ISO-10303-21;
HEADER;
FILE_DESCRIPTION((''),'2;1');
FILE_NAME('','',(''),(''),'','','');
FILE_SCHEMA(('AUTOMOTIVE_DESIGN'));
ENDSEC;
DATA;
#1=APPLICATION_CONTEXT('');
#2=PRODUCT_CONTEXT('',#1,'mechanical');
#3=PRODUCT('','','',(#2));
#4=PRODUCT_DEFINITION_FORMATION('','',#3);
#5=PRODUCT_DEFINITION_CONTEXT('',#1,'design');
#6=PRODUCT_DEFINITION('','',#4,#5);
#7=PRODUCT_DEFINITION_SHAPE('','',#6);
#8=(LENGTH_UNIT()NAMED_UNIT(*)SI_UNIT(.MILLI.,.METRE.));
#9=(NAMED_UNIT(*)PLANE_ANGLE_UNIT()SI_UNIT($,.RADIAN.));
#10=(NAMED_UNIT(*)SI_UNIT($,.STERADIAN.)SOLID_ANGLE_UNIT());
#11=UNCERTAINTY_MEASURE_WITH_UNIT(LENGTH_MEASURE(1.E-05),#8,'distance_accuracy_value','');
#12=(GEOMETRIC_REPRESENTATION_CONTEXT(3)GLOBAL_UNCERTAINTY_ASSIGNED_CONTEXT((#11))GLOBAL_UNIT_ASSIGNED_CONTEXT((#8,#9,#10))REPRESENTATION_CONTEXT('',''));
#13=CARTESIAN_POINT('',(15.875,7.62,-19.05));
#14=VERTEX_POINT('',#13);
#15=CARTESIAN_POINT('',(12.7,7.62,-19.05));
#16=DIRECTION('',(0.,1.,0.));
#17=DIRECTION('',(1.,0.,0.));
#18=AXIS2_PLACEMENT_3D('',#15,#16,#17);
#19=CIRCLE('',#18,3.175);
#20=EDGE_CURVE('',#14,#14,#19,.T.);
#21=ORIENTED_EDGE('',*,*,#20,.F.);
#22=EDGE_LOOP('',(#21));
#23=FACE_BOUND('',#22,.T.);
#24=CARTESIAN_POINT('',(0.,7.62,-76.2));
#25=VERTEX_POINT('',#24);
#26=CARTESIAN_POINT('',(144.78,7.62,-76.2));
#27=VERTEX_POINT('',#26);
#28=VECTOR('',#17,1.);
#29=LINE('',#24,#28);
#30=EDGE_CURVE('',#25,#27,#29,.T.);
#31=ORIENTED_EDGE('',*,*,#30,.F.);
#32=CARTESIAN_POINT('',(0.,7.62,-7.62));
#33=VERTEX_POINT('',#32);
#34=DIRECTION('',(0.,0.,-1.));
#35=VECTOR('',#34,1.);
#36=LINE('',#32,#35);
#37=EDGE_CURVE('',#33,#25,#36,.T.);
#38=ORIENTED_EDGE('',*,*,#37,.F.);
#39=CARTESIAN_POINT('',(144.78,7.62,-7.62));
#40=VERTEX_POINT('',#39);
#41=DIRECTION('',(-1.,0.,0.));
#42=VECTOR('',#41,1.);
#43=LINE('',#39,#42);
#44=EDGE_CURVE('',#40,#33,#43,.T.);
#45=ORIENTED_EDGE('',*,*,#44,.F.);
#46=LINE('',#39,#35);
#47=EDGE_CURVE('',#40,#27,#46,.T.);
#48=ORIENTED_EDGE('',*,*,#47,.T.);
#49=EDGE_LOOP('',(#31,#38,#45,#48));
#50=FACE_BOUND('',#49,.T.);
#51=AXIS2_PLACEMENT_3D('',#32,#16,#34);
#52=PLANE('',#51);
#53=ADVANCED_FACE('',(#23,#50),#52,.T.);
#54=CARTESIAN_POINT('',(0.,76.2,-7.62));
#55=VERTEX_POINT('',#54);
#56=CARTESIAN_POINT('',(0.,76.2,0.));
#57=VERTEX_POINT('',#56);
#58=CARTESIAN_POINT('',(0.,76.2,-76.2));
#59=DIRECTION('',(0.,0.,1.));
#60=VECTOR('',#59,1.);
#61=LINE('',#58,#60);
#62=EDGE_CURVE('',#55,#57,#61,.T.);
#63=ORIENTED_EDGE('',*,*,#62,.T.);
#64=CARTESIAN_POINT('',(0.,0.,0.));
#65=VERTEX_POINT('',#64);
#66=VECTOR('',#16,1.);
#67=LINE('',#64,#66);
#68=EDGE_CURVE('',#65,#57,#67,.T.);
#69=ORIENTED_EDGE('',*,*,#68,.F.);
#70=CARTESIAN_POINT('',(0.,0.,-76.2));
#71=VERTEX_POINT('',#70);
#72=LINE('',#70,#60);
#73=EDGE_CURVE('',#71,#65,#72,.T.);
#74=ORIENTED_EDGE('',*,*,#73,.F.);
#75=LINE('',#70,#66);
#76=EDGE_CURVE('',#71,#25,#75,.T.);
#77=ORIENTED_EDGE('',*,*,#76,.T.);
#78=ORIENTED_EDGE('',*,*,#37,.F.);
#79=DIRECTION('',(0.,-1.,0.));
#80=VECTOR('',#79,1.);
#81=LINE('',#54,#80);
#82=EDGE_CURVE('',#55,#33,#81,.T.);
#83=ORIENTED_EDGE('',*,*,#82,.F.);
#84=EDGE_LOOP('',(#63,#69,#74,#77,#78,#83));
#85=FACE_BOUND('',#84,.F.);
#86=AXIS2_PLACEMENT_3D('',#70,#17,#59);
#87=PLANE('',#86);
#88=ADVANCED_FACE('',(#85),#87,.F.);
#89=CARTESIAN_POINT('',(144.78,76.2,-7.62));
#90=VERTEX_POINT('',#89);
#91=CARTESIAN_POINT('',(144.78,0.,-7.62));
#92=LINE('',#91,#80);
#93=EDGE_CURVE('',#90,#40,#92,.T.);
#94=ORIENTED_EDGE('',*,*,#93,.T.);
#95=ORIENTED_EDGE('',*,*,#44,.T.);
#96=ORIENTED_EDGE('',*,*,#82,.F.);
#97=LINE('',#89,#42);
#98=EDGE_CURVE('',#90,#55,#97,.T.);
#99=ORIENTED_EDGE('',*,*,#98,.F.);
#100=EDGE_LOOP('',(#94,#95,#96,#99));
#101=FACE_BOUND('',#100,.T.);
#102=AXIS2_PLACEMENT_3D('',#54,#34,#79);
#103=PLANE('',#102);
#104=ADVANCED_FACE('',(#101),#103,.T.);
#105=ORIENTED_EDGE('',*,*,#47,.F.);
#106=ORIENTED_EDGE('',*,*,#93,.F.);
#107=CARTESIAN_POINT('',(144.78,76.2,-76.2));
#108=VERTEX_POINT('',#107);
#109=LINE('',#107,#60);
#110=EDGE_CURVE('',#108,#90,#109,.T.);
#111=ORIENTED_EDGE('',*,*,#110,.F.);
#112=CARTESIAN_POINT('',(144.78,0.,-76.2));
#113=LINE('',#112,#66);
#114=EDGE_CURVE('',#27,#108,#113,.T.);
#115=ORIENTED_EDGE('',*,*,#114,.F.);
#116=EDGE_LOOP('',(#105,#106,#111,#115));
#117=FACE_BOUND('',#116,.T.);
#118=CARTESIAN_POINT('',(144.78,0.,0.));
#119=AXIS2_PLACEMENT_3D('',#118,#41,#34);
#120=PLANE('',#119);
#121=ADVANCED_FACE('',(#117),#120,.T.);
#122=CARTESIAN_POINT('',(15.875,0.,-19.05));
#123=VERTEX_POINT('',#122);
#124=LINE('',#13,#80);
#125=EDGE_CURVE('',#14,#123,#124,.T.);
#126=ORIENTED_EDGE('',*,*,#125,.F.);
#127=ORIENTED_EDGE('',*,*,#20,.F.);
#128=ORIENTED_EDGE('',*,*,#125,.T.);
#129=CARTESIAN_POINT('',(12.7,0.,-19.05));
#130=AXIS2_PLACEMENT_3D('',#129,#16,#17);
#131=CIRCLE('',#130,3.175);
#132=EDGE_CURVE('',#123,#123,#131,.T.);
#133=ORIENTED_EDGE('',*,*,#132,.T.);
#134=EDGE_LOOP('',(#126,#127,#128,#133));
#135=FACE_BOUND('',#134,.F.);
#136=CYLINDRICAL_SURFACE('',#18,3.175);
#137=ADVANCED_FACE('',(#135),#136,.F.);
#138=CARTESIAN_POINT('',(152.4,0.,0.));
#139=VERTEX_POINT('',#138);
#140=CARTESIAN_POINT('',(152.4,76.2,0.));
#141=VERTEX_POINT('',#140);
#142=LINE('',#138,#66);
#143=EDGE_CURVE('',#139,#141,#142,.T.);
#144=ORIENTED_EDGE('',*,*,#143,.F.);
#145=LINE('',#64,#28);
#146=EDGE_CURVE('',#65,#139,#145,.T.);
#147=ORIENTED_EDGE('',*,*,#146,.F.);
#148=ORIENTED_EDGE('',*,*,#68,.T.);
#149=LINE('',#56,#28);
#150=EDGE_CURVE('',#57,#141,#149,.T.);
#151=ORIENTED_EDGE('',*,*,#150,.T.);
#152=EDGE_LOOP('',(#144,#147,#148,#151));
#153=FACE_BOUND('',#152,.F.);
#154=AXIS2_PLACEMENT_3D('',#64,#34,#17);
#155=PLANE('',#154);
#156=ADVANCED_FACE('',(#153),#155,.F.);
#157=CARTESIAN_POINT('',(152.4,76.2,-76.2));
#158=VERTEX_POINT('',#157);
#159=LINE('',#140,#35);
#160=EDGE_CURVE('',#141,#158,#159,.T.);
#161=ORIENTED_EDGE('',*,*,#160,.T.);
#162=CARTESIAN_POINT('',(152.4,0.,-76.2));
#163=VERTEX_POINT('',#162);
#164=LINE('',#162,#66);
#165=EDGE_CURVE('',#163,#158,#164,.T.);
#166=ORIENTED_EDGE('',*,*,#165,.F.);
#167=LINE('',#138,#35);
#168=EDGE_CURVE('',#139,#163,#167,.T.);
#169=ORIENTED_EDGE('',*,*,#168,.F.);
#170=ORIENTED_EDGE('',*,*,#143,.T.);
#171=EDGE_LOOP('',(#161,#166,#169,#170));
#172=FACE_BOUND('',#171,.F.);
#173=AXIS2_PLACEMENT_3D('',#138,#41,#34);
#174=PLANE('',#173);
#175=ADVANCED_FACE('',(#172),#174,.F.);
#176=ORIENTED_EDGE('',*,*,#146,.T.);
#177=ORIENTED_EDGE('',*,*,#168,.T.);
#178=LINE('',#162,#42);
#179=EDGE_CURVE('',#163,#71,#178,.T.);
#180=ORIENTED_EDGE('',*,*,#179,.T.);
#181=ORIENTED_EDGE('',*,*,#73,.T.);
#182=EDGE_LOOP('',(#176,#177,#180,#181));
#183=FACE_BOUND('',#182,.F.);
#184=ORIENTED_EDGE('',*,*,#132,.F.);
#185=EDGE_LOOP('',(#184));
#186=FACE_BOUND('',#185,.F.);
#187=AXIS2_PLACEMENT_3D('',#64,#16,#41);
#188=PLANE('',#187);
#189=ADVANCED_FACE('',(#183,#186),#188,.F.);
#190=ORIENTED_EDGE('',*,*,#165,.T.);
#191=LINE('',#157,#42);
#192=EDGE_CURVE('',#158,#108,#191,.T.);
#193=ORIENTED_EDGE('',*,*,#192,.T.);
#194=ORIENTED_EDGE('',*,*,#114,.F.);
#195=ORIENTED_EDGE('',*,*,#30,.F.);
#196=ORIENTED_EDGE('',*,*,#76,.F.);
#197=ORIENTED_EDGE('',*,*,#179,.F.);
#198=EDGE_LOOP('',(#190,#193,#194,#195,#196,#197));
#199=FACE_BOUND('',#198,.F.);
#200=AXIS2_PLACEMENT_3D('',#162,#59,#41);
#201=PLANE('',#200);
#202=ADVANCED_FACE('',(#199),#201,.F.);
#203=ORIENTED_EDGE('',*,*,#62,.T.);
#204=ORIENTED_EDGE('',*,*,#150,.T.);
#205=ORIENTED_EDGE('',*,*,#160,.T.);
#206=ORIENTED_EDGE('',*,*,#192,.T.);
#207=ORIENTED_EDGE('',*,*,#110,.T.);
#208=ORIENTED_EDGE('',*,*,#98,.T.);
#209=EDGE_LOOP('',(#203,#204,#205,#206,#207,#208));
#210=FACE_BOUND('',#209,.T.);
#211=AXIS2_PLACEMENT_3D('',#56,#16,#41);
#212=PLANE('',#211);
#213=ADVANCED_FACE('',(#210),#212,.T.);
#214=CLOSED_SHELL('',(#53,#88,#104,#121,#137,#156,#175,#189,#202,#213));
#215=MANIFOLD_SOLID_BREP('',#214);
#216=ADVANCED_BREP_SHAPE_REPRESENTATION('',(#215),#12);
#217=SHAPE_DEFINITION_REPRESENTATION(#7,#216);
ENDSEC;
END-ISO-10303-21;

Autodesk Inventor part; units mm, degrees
ref_plane "YZ Plane" through (0, 0, 0) normal (1, 0, 0) x (0, 1, 0)
ref_plane "XZ Plane" through (0, 0, 0) normal (0, 1, 0) x (-1, 0, 0)
ref_plane "XY Plane" through (0, 0, 0) normal (0, 0, 1) x (1, 0, 0)
sketch "Sketch1" plane through (0, 0, 0) normal (0, 1, 0) x (-1, 0, 0)
  line L0 (0, 0) -> (-152.4, 0)
  line L1 (-152.4, 0) -> (-152.4, -76.2)
  line L2 (-152.4, -76.2) -> (0, -76.2)
  line L3 (0, -76.2) -> (0, 0)
  dimension "d0" = 152.4
  dimension "d1" = 76.2
extrude "Extrusion1" add sketch "Sketch1" along normal blind 76.2
shell "Shell1" thickness 7.62 removed faces 1 at (101.6, 76.2, -25.4)
sketch "Sketch2" plane through (0, 0, -76.2) normal (-1, 0, 0) x (0, 0, 1)
  line L0 (0, 0) -> (0, 76.2) projected
  line L1 (0, 76.2) -> (68.58, 76.2)
  line L2 (68.58, 76.2) -> (68.58, 7.62)
  line L3 (68.58, 7.62) -> (0, 7.62)
  line L4 (0, 7.62) -> (0, 76.2)
  line L5 (0, 0) -> (76.2, 0) projected
  line L6 (76.2, 0) -> (76.2, 76.2) projected
  point P0 (7.62, 76.2)
  dimension "d5" = 7.62
  dimension "d6" = 7.62
  dimension "d7" = 7.62
extrude "Extrusion2" cut sketch "Sketch2" against normal up to surface (144.78 mm away)
sketch "Sketch3" plane through (0, 7.62, -7.62) normal (0, 1, 0) x (1, 0, 0)
  circle A0 centre (12.7, 11.43) radius 3.175
  line L0 (0, 0) -> (0, 68.58) projected
  line L1 (0, -7.62) -> (152.4, -7.62) projected
  dimension "d10" = 6.35
  dimension "d11" = 12.7
  dimension "d12" = 19.05
extrude "Extrusion3" cut sketch "Sketch3" against normal blind 25.4
properties part number "lift box"
